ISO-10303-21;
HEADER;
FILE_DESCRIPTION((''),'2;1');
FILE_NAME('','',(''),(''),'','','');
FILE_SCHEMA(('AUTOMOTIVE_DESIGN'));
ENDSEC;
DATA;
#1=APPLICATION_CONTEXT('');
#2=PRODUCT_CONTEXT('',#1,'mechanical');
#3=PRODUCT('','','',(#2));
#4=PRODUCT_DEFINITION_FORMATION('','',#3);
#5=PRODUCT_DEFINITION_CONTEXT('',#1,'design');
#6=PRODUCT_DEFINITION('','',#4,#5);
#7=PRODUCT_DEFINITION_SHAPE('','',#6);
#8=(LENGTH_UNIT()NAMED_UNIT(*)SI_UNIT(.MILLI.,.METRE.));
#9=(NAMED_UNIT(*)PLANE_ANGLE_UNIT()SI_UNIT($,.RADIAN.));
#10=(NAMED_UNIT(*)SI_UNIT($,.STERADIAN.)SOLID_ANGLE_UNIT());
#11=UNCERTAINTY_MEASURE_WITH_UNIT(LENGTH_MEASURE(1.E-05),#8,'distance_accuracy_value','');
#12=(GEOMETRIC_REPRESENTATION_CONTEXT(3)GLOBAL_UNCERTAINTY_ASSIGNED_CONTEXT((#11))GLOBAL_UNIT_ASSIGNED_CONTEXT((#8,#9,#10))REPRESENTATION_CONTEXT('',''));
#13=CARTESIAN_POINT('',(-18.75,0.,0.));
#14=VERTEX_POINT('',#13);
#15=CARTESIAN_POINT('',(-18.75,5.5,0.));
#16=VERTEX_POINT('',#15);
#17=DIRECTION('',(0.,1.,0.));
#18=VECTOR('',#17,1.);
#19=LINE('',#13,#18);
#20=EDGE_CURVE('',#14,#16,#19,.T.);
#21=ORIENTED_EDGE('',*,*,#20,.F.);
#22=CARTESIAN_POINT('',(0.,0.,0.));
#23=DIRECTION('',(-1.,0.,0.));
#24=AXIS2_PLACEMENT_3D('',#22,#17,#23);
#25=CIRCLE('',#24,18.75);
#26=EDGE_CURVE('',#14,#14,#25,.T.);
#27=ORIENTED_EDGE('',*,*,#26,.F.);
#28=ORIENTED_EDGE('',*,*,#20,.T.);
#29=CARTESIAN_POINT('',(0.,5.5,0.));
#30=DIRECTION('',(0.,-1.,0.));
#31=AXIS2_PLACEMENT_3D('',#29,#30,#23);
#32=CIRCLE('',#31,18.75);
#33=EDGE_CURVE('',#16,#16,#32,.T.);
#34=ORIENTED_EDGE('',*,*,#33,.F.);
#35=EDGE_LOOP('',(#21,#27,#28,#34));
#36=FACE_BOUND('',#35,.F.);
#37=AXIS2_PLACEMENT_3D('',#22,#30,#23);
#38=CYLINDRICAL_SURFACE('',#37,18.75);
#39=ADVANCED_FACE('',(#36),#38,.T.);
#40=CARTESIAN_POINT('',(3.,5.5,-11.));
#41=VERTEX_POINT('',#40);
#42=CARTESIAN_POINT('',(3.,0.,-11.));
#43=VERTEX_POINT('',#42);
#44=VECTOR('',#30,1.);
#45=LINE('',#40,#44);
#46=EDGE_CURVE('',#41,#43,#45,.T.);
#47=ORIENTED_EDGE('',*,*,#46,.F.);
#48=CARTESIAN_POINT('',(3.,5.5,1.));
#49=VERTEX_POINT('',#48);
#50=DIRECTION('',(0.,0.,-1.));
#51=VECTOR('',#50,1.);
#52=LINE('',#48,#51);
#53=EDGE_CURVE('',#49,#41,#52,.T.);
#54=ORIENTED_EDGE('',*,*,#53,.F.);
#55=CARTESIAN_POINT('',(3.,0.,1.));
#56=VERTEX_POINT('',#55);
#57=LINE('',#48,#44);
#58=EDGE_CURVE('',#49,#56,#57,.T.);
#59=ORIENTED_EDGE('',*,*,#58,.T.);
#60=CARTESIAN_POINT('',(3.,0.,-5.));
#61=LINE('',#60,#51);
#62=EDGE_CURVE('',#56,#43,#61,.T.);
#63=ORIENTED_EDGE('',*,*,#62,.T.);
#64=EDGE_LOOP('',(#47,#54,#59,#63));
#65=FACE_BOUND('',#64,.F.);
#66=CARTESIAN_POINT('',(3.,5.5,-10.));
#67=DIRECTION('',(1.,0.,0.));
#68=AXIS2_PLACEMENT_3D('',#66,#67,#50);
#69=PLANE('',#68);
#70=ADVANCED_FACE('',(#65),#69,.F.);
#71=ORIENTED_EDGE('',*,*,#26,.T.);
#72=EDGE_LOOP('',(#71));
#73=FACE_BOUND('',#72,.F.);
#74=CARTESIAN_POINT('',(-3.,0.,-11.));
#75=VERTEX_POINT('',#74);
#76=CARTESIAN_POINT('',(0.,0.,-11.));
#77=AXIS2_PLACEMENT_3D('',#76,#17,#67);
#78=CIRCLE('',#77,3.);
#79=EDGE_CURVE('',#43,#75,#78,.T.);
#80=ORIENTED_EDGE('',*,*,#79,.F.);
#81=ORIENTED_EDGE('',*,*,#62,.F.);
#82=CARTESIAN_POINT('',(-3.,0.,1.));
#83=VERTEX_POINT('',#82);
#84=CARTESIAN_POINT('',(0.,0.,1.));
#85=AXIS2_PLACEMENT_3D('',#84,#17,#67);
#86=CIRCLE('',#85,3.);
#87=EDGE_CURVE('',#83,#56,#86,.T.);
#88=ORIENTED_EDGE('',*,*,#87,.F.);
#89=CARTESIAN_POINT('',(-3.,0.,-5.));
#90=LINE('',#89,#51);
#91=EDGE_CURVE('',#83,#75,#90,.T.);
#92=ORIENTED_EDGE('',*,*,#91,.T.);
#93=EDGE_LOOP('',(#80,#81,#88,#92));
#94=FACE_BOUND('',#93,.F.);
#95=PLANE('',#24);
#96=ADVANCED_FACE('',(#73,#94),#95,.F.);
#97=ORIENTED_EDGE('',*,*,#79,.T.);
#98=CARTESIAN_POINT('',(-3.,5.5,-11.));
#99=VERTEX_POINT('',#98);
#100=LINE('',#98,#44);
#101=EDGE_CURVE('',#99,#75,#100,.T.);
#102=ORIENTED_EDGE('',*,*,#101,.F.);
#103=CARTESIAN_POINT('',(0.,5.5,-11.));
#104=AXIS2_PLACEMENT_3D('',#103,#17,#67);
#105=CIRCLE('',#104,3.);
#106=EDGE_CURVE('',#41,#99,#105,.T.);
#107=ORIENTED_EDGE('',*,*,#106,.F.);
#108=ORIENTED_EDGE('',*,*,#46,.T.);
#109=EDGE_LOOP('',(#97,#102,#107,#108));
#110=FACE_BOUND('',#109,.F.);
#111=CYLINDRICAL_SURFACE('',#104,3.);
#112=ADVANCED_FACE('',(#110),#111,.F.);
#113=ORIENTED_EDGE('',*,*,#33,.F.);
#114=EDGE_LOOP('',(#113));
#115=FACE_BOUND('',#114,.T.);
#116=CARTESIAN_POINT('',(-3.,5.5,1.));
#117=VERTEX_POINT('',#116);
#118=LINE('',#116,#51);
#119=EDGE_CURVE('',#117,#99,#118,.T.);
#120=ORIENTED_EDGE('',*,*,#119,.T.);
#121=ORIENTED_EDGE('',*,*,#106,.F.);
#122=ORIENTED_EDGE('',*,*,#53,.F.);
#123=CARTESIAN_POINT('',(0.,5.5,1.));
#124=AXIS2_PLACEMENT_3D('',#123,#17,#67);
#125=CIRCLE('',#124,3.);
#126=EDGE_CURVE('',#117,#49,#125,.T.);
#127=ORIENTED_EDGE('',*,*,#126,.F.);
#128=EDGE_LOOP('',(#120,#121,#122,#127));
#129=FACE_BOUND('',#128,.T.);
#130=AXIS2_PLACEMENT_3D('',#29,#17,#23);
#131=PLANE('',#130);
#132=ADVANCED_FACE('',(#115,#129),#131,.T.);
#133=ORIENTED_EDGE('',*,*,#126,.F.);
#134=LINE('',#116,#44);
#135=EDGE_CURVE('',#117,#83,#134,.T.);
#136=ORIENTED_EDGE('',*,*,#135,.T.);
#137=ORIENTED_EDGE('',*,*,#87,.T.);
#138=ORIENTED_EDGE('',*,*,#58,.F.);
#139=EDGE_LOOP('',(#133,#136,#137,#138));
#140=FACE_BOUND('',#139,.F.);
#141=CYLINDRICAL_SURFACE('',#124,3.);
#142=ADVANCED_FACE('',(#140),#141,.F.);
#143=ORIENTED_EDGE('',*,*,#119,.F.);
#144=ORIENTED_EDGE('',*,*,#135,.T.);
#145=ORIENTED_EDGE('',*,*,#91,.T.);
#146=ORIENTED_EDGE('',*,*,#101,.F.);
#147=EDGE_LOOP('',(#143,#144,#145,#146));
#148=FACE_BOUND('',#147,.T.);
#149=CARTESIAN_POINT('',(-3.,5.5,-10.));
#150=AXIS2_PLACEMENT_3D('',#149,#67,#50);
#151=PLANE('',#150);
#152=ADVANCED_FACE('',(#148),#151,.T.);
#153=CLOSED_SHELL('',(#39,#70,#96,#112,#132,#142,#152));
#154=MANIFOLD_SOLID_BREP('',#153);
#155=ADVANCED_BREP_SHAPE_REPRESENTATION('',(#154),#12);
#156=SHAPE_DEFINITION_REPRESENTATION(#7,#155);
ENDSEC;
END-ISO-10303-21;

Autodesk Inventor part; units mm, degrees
ref_plane "YZ Plane" through (0, 0, 0) normal (1, 0, 0) x (0, 1, 0)
ref_plane "XZ Plane" through (0, 0, 0) normal (0, 1, 0) x (-1, 0, 0)
ref_plane "XY Plane" through (0, 0, 0) normal (0, 0, 1) x (1, 0, 0)
sketch "スケッチ1" plane through (0, 0, 0) normal (0, 1, 0) x (-1, 0, 0)
  circle A0 centre (0, 0) radius 22.5 construction
  circle A1 centre (0, 0) radius 25.5 construction
  line L0 (25.5, 1.2181) -> (25.5, -1.2181)
  line L1 (25.5, 1.2181) -> (22.3764, 2.355)
  line L2 (25.5, -1.2181) -> (22.3764, -2.355)
  line L3 (35.7, 0) -> (-35.7, 0) projected
  circle A2 centre (0, 0) radius 18.75
  line L4 (22.3764, -2.355) -> (18.647, -1.9625)
  line L5 (22.3764, 2.355) -> (18.647, 1.9625)
  line L6 (19.484, 11.2527) -> (16.2367, 9.3773)
  line L7 (22.8, 11.4846) -> (19.484, 11.2527)
  line L8 (22.8, 11.4846) -> (23.7909, 9.259)
  line L9 (23.7909, 9.259) -> (21.3997, 6.9499)
  line L10 (21.3997, 6.9499) -> (17.8331, 5.7916)
  line L11 (13.2226, 18.2047) -> (11.0189, 15.1706)
  line L12 (16.1576, 19.7653) -> (13.2226, 18.2047)
  line L13 (16.1576, 19.7653) -> (17.9681, 18.1351)
  line L14 (17.9681, 18.1351) -> (16.7229, 15.0531)
  line L15 (16.7229, 15.0531) -> (13.9357, 12.5443)
  line L16 (4.675, 22.009) -> (3.8958, 18.3408)
  line L17 (6.7214, 24.6284) -> (4.675, 22.009)
  line L18 (6.7214, 24.6284) -> (9.0384, 23.8755)
  line L19 (9.0384, 23.8755) -> (9.1544, 20.5535)
  line L20 (9.1544, 20.5535) -> (7.6287, 17.1279)
  line L21 (-4.6811, 22.0077) -> (-3.9009, 18.3397)
  line L22 (-3.8769, 25.233) -> (-4.6811, 22.0077)
  line L23 (-3.8769, 25.233) -> (-1.454, 25.4876)
  line L24 (-1.454, 25.4876) -> (0.0031, 22.5)
  line L25 (0.0031, 22.5) -> (0.0026, 18.75)
  line L26 (-13.2277, 18.201) -> (-11.0231, 15.1675)
  line L27 (-13.8049, 21.4746) -> (-13.2277, 18.201)
  line L28 (-13.8049, 21.4746) -> (-11.6951, 22.6927)
  line L29 (-11.6951, 22.6927) -> (-9.1487, 20.556)
  line L30 (-9.1487, 20.556) -> (-7.6239, 17.13)
  line L31 (-19.4871, 11.2473) -> (-16.2393, 9.3727)
  line L32 (-21.3459, 14.0031) -> (-19.4871, 11.2473)
  line L33 (-21.3459, 14.0031) -> (-19.9139, 15.974)
  line L34 (-19.9139, 15.974) -> (-16.7187, 15.0578)
  line L35 (-16.7187, 15.0578) -> (-13.9322, 12.5481)
  line L36 (-22.3771, 2.3488) -> (-18.6476, 1.9573)
  line L37 (-25.196, 4.1103) -> (-22.3771, 2.3488)
  line L38 (-25.196, 4.1103) -> (-24.6895, 6.4932)
  line L39 (-24.6895, 6.4932) -> (-21.3978, 6.9559)
  line L40 (-21.3978, 6.9559) -> (-17.8315, 5.7965)
  line L41 (-21.3978, -6.9559) -> (-17.8315, -5.7965)
  line L42 (-24.6895, -6.4932) -> (-21.3978, -6.9559)
  line L43 (-24.6895, -6.4932) -> (-25.196, -4.1103)
  line L44 (-25.196, -4.1103) -> (-22.3771, -2.3488)
  line L45 (-22.3771, -2.3488) -> (-18.6476, -1.9573)
  line L46 (-16.7187, -15.0578) -> (-13.9322, -12.5481)
  line L47 (-19.9139, -15.974) -> (-16.7187, -15.0578)
  line L48 (-19.9139, -15.974) -> (-21.3459, -14.0031)
  line L49 (-21.3459, -14.0031) -> (-19.4871, -11.2473)
  line L50 (-19.4871, -11.2473) -> (-16.2393, -9.3727)
  line L51 (-9.1487, -20.556) -> (-7.6239, -17.13)
  line L52 (-11.6951, -22.6927) -> (-9.1487, -20.556)
  line L53 (-11.6951, -22.6927) -> (-13.8049, -21.4746)
  line L54 (-13.8049, -21.4746) -> (-13.2277, -18.201)
  line L55 (-13.2277, -18.201) -> (-11.0231, -15.1675)
  line L56 (0.0031, -22.5) -> (0.0026, -18.75)
  line L57 (-1.454, -25.4876) -> (0.0031, -22.5)
  line L58 (-1.454, -25.4876) -> (-3.8769, -25.233)
  line L59 (-3.8769, -25.233) -> (-4.6811, -22.0077)
  line L60 (-4.6811, -22.0077) -> (-3.9009, -18.3397)
  line L61 (9.1544, -20.5535) -> (7.6287, -17.1279)
  line L62 (9.0384, -23.8755) -> (9.1544, -20.5535)
  line L63 (9.0384, -23.8755) -> (6.7214, -24.6284)
  line L64 (6.7214, -24.6284) -> (4.675, -22.009)
  line L65 (4.675, -22.009) -> (3.8958, -18.3408)
  line L66 (16.7229, -15.0531) -> (13.9357, -12.5443)
  line L67 (17.9681, -18.1351) -> (16.7229, -15.0531)
  line L68 (17.9681, -18.1351) -> (16.1576, -19.7653)
  line L69 (16.1576, -19.7653) -> (13.2226, -18.2047)
  line L70 (13.2226, -18.2047) -> (11.0189, -15.1706)
  line L71 (21.3997, -6.9499) -> (17.8331, -5.7916)
  line L72 (23.7909, -9.259) -> (21.3997, -6.9499)
  line L73 (23.7909, -9.259) -> (22.8, -11.4846)
  line L74 (22.8, -11.4846) -> (19.484, -11.2527)
  line L75 (19.484, -11.2527) -> (16.2367, -9.3773)
  circle A3 centre (0, 0) radius 11
  point P0 (25.5, 0)
  point P1 (23.2954, 10.3718)
  point P2 (17.0628, 18.9502)
  point P3 (7.8799, 24.2519)
  point P4 (-2.6655, 25.3603)
  point P5 (-12.75, 22.0836)
  point P6 (-20.6299, 14.9885)
  point P7 (-24.9428, 5.3017)
  point P8 (-24.9428, -5.3017)
  point P9 (-20.6299, -14.9885)
  point P10 (-12.75, -22.0836)
  point P11 (-2.6655, -25.3603)
  point P12 (7.8799, -24.2519)
  point P13 (17.0628, -18.9502)
  point P14 (23.2954, -10.3718)
  point P15 (17.8331, 5.7916)
  point P16 (16.2367, 9.3773)
  point P17 (13.9357, 12.5443)
  point P18 (11.0189, 15.1706)
  point P19 (7.6287, 17.1279)
  point P20 (3.8958, 18.3408)
  point P21 (0.0026, 18.75)
  point P22 (-3.9009, 18.3397)
  point P23 (-7.6239, 17.13)
  point P24 (-11.0231, 15.1675)
  point P25 (-13.9322, 12.5481)
  point P26 (-16.2393, 9.3727)
  point P27 (-17.8315, 5.7965)
  point P28 (-18.6476, 1.9573)
  point P29 (-18.6476, -1.9573)
  point P30 (-17.8315, -5.7965)
  point P31 (-16.2393, -9.3727)
  point P32 (-13.9322, -12.5481)
  point P33 (-11.0231, -15.1675)
  point P34 (-7.6239, -17.13)
  point P35 (-3.9009, -18.3397)
  point P36 (0.0026, -18.75)
  point P37 (3.8958, -18.3408)
  point P38 (7.6287, -17.1279)
  point P39 (11.0189, -15.1706)
  point P40 (13.9357, -12.5443)
  point P41 (16.2367, -9.3773)
  point P42 (17.8331, -5.7916)
  dimension "d5" = 37.5
  dimension "d0" = 45
  dimension "d1" = 51
  dimension "d3" = 20
  dimension "d4" = 20
  dimension "d14" = 4.71
  dimension "d18" = 360
  dimension "d23" = 22
extrude "押し出し1" add sketch "スケッチ1" along normal blind 5.5 contours A2 L3 A3 | L3 A3 A2 | A3 L3 | L3 A3
sketch "スケッチ2" plane through (0, 5.5, 0) normal (0, 1, 0) x (1, 0, 0)
  circle A0 centre (0, 10) radius 3 construction
  circle A1 centre (0, 0) radius 3 construction
  line L0 (-3, 10) -> (-3, 0)
  line L1 (3, 10) -> (3, 0)
  circle A2 centre (0, 11) radius 3
  circle A3 centre (0, -1) radius 3
  line L2 (3, 10) -> (3, 11)
  line L3 (-3, 10) -> (-3, 11)
  line L4 (3, 0) -> (3, -1)
  line L5 (-3, 0) -> (-3, -1)
  dimension "d30" = 6
  dimension "d31" = 6
  dimension "d32" = 10
  dimension "d33" = 6
  dimension "d34" = 6
  dimension "d35" = 1
  dimension "d36" = 1
extrude "押し出し2" cut sketch "スケッチ2" against normal through all
properties part number "M3_15_ホーン" material "木材 (カエデ材)"
